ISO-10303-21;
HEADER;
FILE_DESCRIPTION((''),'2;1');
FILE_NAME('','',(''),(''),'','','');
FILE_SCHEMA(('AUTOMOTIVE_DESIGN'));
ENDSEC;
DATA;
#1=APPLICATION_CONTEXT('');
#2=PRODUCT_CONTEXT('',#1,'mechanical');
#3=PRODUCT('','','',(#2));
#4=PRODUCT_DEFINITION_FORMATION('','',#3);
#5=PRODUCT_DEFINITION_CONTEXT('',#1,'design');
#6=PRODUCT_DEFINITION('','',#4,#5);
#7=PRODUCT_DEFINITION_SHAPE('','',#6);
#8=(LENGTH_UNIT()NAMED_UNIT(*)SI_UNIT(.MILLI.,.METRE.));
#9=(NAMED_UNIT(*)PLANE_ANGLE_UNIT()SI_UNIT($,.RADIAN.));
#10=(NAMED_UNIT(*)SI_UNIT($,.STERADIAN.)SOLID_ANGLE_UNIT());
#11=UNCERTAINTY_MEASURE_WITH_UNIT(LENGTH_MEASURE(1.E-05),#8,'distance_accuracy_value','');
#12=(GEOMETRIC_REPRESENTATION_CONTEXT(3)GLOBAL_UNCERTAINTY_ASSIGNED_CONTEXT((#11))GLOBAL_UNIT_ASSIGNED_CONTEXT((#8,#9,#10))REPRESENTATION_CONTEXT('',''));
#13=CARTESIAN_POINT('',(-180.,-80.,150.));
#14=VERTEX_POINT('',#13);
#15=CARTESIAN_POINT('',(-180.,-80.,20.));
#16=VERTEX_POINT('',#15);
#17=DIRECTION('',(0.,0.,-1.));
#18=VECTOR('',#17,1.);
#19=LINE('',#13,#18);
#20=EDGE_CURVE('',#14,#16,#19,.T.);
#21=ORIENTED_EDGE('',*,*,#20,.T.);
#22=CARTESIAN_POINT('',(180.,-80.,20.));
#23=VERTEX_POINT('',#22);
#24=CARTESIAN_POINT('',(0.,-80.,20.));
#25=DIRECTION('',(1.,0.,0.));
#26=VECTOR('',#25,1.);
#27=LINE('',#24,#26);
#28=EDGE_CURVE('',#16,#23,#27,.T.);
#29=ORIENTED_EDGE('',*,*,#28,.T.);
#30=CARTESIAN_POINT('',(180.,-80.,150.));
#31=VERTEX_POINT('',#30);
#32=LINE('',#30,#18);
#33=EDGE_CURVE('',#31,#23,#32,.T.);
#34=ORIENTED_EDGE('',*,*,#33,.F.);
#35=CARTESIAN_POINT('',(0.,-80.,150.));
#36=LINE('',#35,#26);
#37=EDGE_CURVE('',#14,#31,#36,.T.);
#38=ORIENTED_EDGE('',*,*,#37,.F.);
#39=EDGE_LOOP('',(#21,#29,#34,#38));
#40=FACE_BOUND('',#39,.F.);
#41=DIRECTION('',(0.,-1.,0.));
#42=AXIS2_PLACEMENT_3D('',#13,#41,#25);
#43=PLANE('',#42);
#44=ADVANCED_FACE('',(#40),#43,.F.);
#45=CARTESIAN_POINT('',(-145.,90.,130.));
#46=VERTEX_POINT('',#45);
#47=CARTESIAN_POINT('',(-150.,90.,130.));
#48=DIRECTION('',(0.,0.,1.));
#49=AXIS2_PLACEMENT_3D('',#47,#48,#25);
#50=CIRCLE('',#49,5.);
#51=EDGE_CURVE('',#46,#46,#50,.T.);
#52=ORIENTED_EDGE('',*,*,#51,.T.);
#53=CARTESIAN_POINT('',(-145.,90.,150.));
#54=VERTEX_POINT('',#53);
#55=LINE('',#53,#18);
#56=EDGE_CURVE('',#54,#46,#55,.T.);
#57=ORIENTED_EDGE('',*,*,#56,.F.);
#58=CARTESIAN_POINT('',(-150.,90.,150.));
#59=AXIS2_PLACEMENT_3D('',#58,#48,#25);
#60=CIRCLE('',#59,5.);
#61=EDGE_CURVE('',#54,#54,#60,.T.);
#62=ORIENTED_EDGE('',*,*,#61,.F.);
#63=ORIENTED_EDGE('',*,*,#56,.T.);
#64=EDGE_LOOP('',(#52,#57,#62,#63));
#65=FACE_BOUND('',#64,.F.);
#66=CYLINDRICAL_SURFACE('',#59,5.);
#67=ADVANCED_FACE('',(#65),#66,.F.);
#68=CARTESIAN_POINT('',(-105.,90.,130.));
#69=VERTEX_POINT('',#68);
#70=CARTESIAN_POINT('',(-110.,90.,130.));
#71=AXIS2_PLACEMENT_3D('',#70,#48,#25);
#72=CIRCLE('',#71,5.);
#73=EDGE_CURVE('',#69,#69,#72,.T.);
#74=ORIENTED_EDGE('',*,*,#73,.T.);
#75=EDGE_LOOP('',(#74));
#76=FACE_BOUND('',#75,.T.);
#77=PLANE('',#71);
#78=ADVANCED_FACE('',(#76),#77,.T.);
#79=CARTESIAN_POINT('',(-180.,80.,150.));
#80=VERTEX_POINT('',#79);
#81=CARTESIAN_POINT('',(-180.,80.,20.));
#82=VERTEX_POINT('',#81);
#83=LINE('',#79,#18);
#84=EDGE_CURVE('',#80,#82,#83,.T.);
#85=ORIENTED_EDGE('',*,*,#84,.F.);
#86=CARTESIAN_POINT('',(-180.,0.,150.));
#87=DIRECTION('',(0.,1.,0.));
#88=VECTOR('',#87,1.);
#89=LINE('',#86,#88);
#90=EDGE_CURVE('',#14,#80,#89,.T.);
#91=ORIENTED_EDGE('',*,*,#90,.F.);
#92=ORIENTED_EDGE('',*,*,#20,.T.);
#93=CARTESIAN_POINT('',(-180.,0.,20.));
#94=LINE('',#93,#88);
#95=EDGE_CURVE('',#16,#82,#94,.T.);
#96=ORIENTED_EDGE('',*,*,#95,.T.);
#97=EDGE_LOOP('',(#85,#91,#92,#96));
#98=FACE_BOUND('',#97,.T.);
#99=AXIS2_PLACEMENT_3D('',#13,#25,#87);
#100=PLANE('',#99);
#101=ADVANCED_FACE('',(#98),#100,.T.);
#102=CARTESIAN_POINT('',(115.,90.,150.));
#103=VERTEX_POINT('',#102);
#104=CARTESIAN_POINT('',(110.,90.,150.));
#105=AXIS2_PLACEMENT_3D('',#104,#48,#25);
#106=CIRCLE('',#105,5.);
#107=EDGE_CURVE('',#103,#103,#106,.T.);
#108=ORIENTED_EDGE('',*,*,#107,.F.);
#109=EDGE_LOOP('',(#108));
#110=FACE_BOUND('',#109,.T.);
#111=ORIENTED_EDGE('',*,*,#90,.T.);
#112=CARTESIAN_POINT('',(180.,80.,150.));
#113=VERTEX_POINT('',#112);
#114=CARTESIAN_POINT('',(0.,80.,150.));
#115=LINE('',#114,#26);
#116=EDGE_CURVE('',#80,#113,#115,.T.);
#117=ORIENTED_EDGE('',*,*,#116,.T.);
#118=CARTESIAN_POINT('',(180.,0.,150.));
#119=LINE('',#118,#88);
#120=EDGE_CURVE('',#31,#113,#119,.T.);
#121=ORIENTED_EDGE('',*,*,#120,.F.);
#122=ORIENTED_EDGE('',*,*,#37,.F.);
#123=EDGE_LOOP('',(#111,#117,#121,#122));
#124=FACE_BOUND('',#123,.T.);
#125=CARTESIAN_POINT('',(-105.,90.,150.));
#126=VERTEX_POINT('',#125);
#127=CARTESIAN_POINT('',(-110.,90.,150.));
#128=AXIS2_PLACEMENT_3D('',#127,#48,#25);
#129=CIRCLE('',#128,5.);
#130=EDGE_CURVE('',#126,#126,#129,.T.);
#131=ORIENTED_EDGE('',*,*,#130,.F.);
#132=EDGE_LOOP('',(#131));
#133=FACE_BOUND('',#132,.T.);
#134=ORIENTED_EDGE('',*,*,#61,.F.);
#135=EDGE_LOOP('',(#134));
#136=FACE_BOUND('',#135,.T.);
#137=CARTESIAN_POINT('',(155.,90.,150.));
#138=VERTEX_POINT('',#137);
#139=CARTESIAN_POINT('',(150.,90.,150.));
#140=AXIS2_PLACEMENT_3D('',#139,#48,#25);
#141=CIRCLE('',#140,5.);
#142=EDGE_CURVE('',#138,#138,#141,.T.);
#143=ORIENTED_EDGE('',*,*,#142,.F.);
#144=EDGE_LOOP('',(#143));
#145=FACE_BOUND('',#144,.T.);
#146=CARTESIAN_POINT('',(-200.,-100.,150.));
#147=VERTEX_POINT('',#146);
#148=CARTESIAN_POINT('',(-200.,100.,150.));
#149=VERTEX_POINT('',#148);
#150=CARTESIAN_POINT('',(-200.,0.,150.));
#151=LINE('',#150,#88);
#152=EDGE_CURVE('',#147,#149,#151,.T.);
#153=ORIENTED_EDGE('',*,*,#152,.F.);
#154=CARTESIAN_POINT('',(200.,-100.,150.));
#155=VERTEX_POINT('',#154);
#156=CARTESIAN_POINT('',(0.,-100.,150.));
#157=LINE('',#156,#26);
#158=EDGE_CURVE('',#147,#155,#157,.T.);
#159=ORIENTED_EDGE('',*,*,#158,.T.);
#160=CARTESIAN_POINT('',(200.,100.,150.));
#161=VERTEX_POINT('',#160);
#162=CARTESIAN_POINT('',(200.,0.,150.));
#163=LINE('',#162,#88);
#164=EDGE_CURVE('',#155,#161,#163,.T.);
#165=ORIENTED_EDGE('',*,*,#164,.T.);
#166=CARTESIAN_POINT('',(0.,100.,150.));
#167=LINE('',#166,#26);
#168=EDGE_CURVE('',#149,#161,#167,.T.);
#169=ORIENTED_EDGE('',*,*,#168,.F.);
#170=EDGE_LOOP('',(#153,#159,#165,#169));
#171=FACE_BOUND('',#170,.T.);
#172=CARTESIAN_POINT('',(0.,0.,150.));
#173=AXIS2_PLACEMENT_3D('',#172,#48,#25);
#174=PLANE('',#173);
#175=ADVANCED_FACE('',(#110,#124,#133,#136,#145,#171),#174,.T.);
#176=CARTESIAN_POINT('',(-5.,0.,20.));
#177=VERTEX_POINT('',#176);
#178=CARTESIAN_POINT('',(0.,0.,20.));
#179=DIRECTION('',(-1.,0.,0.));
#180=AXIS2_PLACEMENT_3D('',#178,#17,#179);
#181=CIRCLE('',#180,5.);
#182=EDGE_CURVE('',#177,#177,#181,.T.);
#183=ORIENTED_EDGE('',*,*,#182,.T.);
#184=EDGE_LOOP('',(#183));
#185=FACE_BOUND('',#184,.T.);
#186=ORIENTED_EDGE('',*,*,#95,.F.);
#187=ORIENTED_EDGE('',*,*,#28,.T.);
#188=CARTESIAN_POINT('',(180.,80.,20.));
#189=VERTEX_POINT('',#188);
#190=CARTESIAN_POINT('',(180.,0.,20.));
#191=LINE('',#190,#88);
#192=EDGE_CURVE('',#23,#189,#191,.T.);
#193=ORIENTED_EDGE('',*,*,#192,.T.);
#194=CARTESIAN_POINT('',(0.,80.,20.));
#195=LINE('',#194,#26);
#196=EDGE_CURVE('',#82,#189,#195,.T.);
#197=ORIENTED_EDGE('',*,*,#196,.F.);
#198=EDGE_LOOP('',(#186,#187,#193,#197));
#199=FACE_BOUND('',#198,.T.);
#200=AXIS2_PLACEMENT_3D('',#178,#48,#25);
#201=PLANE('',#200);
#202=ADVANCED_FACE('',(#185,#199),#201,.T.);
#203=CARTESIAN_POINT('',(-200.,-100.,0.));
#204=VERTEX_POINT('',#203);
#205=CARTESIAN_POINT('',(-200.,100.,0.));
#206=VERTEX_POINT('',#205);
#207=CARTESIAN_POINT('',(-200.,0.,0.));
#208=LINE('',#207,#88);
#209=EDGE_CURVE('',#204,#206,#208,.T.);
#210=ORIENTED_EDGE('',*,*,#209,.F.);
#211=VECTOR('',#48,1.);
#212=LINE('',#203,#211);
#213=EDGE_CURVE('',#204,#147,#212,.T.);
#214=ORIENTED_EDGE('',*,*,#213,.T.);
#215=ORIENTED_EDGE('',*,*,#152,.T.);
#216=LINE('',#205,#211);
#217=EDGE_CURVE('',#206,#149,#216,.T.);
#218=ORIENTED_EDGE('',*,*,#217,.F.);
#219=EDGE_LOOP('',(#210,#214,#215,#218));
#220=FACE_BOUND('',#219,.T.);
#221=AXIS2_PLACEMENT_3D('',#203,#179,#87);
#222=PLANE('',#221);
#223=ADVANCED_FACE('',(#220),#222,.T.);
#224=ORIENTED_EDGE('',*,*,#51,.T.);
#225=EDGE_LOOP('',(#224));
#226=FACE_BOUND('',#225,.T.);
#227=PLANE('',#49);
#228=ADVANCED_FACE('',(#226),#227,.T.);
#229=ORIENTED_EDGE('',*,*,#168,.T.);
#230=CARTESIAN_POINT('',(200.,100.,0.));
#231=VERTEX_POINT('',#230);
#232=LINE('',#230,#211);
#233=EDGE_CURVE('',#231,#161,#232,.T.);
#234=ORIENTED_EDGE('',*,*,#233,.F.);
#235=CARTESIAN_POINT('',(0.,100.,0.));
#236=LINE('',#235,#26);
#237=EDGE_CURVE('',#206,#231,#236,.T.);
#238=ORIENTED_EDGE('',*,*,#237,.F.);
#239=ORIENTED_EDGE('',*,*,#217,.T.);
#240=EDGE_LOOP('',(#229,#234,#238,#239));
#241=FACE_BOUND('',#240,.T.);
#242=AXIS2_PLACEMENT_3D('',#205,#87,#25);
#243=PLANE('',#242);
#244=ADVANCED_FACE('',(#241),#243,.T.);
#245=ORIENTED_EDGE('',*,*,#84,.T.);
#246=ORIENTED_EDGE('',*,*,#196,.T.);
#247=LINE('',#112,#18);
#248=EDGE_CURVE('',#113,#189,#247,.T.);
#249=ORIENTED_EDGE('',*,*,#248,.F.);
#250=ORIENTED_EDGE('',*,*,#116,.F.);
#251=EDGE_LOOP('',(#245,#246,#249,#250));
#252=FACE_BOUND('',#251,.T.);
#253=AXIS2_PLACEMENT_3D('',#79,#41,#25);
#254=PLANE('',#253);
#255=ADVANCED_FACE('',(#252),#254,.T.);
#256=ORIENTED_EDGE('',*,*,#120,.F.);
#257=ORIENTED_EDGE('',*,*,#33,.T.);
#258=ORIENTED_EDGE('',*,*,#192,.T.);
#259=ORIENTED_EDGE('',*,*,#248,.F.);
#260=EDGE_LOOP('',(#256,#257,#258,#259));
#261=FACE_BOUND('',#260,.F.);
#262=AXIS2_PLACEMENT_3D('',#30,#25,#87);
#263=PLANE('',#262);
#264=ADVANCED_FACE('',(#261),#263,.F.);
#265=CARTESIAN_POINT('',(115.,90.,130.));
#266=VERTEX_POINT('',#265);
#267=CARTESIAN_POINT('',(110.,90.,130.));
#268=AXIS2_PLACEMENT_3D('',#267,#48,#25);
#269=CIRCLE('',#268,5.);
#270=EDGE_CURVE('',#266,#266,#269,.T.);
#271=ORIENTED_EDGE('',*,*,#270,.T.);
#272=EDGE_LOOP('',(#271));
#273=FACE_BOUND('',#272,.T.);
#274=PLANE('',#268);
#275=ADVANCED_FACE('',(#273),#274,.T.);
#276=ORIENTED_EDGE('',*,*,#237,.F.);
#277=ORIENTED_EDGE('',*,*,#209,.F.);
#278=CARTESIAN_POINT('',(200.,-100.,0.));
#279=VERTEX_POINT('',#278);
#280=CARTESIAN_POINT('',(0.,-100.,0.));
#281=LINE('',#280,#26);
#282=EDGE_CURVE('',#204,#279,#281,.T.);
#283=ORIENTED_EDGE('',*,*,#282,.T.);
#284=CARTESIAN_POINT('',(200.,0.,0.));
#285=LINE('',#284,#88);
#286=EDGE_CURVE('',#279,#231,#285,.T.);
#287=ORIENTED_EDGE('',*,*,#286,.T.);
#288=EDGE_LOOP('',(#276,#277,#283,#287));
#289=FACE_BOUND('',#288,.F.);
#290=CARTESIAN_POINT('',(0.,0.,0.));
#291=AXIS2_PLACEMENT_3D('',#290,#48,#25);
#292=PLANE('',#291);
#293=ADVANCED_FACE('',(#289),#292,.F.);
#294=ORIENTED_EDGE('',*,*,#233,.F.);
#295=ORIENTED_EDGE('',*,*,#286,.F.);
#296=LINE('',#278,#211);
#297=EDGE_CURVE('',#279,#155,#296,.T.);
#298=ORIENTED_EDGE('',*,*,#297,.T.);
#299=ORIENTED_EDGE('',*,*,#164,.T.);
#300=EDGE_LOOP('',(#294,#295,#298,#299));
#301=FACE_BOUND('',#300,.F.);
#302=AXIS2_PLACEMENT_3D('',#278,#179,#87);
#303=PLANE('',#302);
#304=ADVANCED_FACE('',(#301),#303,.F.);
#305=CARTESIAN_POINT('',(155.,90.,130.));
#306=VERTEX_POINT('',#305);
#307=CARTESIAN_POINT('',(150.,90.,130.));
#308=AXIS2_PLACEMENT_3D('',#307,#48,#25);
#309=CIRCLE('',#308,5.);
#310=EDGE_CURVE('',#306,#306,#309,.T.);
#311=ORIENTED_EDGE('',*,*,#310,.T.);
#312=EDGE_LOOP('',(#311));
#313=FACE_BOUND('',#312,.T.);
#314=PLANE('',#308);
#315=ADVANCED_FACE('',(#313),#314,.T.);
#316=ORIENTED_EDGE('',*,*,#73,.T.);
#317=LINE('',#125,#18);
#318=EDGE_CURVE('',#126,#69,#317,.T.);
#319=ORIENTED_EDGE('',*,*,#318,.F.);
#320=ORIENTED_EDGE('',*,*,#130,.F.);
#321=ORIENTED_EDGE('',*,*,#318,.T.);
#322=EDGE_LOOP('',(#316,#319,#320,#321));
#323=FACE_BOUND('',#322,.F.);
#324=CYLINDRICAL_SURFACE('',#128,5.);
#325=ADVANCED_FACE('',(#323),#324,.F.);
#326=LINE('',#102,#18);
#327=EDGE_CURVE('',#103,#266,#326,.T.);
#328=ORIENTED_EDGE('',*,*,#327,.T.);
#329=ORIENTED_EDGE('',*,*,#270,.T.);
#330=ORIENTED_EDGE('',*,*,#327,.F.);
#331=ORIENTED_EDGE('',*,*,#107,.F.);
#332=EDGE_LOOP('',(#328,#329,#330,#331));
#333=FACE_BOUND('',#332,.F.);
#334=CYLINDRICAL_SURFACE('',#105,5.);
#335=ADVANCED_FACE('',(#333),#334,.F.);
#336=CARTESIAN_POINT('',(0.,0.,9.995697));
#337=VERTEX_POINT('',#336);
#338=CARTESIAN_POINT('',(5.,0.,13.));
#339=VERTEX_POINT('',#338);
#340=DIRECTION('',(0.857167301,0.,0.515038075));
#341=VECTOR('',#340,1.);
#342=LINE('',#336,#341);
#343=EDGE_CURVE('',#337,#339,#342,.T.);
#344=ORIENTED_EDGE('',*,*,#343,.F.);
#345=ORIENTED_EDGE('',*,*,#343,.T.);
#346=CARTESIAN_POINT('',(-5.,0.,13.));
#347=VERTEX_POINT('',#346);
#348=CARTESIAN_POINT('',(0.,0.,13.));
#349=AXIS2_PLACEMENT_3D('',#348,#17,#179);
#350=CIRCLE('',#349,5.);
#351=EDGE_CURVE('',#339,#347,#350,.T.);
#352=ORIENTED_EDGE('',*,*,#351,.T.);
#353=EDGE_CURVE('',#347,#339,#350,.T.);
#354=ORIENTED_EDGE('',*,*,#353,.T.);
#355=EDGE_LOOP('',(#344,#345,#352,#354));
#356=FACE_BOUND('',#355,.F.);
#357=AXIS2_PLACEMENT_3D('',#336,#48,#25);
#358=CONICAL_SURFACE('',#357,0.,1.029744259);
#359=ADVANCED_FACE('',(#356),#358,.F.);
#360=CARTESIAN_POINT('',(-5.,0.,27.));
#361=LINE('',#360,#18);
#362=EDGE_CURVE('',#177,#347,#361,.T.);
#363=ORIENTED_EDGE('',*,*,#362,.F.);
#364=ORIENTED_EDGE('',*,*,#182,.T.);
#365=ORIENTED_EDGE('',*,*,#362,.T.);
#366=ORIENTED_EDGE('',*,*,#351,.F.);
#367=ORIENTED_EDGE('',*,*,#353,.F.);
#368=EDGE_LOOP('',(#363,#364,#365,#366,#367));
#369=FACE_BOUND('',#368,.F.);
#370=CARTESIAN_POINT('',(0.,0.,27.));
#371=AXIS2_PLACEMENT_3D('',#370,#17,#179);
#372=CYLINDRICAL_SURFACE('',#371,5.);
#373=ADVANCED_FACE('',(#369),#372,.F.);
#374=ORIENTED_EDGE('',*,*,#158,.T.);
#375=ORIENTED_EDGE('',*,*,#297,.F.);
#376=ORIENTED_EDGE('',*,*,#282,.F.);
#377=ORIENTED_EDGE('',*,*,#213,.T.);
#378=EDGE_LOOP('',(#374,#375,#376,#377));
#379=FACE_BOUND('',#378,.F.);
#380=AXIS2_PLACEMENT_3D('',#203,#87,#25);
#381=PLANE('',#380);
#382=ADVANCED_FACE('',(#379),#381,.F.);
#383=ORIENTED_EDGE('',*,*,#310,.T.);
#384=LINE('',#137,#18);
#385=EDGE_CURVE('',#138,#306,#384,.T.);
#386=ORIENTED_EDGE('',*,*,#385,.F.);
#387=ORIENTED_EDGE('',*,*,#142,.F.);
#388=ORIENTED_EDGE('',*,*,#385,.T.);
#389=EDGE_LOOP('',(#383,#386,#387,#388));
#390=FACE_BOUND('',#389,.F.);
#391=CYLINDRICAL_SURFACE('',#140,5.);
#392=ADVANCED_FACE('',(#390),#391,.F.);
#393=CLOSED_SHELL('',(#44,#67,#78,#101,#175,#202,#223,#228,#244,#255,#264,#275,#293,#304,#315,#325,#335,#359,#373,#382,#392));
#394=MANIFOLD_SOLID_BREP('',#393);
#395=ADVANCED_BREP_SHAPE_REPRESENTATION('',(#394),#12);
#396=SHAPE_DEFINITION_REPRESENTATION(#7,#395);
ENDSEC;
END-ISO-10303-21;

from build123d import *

# Parameters (mm, degrees)
F0_W     = 400
F0_H     = 200
F1_DEPTH = 150
F2_W     = 360
F2_H     = 160
F3_DEPTH = 130
F4_R     = 5
F5_DEPTH = 20
F7_D     = 10
F7_DEPTH = 7
F7_TIP   = 3.0043030951


with BuildPart() as f1:
    # F0 (on Top) → F1 (new body)
    with BuildSketch(Plane.XY):
        Rectangle(F0_W, F0_H)
    extrude(amount=F1_DEPTH)

    # F2 (on face) → F3 (cut)
    with BuildSketch(Plane.XY.offset(150)):
        Rectangle(F2_W, F2_H)
    extrude(amount=-F3_DEPTH, mode=Mode.SUBTRACT)

    # F4 (on face) → F5 (cut)
    with BuildSketch(Plane.XY.offset(150)):
        with Locations((-150, 90)):
            Circle(F4_R)
        with Locations((-110, 90)):
            Circle(F4_R)
        with Locations((110, 90)):
            Circle(F4_R)
        with Locations((150, 90)):
            Circle(F4_R)
    extrude(amount=-F5_DEPTH, mode=Mode.SUBTRACT)

    # F7
    with Locations(Plane.XY.offset(20)):
        with Locations((0, 0)):
            Hole(F7_D / 2, depth=F7_DEPTH)
            with Locations((0, 0, -(F7_DEPTH + F7_TIP / 2))):  # 118° drill point
                Cone(0, F7_D / 2, F7_TIP, mode=Mode.SUBTRACT)


solid = f1.part
